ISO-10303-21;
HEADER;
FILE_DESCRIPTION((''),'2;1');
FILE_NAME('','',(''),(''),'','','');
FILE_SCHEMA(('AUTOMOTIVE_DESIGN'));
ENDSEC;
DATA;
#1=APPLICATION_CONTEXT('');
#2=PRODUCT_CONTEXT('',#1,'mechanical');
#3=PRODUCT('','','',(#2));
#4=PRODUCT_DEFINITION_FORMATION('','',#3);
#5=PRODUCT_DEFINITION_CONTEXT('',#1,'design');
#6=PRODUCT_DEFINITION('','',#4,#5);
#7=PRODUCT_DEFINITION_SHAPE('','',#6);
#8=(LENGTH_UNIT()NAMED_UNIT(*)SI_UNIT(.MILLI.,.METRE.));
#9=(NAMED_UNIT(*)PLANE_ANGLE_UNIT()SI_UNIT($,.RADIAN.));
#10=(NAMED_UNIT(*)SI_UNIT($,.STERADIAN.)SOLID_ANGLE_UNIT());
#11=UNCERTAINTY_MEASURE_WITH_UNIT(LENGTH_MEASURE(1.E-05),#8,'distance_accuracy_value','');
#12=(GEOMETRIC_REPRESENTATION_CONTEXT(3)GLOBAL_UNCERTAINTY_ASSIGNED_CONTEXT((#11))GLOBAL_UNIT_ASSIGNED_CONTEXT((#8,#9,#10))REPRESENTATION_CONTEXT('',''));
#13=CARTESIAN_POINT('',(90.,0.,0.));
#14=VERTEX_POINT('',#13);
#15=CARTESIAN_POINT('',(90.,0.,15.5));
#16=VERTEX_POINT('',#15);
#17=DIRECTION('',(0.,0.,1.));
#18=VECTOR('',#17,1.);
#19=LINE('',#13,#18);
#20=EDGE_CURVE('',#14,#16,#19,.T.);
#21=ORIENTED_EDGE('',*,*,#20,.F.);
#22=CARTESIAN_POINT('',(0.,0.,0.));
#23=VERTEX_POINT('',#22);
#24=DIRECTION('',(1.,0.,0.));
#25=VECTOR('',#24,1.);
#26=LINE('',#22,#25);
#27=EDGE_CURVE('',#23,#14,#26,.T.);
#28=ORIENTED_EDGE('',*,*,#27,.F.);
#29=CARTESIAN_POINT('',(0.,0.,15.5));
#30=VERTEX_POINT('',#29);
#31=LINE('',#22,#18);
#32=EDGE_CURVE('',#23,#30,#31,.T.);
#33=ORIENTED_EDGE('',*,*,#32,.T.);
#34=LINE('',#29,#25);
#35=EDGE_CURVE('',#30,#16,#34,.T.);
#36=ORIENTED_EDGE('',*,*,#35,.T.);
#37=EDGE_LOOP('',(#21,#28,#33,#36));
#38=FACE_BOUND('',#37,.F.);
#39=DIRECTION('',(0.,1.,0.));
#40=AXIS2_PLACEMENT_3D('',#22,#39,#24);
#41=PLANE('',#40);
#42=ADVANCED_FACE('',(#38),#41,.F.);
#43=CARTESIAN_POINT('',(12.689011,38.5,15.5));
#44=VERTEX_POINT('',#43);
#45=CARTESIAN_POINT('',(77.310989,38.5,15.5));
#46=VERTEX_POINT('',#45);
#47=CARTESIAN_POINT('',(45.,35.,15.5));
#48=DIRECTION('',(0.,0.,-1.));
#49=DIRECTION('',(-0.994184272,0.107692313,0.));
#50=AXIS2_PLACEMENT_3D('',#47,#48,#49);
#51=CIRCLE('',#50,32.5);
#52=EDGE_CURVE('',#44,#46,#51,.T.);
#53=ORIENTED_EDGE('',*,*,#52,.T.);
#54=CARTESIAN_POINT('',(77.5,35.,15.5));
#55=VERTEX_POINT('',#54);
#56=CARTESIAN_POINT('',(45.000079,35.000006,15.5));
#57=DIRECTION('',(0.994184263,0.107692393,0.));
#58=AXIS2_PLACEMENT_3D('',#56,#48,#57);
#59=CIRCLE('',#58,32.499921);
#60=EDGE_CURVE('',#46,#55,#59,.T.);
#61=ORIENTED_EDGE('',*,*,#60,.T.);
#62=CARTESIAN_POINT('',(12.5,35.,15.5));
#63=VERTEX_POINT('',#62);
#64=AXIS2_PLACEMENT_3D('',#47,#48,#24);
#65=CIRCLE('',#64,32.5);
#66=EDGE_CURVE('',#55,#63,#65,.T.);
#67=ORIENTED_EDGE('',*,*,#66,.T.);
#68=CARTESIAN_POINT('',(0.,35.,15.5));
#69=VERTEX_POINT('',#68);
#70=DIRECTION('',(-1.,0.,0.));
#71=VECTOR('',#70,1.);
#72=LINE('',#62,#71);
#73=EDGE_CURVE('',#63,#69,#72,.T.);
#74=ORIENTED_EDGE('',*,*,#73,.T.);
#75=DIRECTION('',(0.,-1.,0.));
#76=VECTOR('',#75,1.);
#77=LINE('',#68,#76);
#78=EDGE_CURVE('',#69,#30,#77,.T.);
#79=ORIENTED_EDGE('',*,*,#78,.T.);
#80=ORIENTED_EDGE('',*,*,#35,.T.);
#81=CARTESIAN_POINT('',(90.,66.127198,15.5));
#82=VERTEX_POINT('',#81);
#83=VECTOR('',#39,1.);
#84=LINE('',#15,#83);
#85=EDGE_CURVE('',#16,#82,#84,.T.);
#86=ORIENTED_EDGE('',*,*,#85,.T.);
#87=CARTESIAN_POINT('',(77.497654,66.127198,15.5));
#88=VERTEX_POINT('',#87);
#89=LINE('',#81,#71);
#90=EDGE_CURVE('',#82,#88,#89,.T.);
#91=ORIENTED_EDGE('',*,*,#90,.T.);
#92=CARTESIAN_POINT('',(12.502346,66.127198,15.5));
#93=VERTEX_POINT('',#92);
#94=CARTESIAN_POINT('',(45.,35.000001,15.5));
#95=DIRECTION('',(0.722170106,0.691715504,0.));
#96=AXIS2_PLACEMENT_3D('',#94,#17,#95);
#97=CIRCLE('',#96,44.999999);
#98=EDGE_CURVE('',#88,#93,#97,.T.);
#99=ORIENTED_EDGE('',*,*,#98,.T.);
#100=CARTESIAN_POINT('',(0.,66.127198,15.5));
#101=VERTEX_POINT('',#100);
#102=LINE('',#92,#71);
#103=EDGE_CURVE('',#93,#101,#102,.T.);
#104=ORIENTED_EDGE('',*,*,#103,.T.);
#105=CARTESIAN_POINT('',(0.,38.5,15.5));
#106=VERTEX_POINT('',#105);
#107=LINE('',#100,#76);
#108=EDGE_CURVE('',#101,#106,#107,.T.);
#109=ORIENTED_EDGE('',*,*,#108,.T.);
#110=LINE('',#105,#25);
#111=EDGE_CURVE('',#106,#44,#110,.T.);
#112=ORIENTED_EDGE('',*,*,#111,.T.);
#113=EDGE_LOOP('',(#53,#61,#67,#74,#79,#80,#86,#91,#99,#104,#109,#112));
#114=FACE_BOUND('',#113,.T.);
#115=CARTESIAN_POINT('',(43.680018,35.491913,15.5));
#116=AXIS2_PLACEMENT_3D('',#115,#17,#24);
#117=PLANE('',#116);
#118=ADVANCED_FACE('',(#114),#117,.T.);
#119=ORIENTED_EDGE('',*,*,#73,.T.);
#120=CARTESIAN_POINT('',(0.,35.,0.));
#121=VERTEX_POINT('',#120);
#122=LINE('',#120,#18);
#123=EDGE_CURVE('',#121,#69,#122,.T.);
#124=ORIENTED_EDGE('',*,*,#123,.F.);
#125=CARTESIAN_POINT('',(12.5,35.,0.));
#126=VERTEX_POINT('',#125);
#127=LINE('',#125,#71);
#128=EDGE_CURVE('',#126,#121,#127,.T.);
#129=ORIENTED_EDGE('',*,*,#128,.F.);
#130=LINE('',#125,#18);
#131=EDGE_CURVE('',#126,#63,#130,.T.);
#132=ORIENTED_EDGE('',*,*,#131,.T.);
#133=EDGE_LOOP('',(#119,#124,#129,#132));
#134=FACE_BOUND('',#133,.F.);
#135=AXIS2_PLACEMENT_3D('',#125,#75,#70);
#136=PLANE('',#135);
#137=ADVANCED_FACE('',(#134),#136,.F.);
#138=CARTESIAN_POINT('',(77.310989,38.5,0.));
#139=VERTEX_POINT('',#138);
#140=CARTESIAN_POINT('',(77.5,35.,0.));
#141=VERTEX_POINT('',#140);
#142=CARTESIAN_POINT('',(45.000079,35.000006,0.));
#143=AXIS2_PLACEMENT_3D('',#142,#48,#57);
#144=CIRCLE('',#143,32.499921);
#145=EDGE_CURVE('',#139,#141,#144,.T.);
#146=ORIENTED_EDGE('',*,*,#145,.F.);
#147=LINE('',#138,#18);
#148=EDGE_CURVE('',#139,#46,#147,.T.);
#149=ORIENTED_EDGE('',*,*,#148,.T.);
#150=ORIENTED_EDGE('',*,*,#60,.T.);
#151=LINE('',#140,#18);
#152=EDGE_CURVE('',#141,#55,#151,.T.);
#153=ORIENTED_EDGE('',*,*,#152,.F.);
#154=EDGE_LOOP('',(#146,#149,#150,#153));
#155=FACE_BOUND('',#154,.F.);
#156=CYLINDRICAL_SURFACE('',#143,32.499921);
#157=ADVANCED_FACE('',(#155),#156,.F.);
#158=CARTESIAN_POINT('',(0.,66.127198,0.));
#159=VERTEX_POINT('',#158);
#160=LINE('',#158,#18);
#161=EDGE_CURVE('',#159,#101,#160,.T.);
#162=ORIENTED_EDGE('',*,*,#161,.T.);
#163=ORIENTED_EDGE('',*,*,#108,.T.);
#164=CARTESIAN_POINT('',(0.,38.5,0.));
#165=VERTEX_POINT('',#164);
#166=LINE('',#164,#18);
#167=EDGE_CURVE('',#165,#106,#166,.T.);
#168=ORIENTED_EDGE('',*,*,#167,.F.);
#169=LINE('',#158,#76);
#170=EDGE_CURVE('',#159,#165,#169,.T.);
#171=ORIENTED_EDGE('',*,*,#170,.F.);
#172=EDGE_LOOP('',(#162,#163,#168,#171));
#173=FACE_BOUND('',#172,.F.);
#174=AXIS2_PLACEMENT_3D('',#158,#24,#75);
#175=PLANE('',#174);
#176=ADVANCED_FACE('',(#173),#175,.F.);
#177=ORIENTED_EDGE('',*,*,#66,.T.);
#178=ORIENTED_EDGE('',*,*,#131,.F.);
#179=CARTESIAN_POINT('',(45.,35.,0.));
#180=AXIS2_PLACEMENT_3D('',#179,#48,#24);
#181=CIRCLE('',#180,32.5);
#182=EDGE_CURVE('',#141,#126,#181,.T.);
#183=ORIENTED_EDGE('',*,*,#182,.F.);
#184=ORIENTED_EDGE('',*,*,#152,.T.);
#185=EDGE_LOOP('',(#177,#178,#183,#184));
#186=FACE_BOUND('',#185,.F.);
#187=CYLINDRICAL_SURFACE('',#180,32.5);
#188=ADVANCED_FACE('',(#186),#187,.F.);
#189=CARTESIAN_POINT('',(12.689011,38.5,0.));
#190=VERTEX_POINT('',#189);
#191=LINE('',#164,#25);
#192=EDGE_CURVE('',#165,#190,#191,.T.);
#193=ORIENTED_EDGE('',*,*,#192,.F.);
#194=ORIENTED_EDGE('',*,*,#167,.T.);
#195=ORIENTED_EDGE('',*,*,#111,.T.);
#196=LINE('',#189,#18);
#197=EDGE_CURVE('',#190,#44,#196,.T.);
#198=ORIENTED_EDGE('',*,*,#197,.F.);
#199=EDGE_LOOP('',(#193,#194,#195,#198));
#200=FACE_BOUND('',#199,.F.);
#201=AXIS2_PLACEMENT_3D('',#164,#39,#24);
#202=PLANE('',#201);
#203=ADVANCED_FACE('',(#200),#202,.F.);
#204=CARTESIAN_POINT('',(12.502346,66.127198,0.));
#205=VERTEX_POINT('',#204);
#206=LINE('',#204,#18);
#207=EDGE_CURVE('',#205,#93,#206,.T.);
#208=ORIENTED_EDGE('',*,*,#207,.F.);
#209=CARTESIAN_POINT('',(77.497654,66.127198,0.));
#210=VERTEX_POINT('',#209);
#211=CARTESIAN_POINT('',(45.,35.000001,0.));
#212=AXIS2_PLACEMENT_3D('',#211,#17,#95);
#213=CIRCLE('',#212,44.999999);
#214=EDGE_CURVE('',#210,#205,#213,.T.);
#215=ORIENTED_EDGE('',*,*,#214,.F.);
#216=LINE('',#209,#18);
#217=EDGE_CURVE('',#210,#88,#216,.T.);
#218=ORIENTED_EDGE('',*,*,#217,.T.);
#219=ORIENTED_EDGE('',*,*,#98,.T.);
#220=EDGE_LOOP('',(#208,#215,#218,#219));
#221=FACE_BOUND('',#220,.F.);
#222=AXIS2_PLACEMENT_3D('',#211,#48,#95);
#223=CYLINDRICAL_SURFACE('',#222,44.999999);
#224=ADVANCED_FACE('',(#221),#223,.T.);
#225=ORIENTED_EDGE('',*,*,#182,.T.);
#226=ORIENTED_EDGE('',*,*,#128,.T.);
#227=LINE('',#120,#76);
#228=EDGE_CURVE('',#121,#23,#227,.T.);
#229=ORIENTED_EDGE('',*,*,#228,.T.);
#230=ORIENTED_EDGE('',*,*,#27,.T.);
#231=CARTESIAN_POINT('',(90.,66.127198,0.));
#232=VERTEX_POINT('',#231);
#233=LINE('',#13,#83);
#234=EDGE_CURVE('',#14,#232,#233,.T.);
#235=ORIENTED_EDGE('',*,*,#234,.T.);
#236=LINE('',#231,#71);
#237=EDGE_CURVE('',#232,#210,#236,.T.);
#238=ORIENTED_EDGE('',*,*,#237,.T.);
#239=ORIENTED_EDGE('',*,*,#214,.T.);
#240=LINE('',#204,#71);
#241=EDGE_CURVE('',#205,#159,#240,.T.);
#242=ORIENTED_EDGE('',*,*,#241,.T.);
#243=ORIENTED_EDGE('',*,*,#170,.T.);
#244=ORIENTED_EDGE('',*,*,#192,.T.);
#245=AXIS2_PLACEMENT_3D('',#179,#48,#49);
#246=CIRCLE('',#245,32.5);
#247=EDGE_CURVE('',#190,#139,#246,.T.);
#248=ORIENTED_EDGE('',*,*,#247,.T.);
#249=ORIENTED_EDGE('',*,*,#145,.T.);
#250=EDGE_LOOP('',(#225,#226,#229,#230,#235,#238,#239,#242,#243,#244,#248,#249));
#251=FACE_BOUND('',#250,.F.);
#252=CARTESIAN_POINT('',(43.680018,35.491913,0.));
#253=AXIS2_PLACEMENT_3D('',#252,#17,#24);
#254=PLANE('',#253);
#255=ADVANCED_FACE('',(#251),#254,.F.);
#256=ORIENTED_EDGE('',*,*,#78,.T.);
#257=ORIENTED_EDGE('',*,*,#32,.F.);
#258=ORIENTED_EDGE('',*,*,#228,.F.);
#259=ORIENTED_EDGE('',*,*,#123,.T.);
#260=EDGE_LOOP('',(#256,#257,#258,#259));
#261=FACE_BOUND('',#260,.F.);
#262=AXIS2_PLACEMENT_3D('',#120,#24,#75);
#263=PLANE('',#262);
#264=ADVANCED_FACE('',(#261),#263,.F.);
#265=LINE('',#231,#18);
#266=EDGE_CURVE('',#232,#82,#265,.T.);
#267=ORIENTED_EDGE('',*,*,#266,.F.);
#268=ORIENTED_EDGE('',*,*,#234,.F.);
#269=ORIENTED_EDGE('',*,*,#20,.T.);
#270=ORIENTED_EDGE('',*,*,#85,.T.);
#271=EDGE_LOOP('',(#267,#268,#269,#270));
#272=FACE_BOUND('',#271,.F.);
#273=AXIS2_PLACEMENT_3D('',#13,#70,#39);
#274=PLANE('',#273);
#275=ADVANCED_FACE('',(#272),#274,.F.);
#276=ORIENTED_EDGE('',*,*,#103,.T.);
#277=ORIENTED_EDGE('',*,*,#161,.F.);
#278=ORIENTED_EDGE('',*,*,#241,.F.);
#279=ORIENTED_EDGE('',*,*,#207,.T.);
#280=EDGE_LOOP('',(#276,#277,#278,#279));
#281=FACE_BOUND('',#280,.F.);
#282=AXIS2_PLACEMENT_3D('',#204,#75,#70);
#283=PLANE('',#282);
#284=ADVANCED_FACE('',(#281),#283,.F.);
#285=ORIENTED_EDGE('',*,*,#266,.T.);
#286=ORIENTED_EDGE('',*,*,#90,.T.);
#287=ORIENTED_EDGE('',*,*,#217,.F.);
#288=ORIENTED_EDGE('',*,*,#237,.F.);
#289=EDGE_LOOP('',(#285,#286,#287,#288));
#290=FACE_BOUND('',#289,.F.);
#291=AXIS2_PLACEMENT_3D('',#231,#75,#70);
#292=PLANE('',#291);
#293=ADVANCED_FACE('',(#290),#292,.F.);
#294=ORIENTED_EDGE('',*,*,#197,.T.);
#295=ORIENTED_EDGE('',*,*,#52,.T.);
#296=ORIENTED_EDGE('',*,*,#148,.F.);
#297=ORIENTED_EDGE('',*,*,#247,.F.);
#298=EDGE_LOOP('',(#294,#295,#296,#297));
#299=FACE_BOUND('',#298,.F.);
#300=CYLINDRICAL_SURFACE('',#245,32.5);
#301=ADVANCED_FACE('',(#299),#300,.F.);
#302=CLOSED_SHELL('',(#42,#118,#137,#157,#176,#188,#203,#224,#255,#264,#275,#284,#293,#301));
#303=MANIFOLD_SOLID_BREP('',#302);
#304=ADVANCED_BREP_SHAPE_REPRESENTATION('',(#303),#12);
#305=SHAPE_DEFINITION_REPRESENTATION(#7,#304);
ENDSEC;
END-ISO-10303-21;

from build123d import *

# Parameters (mm, degrees)
F1_DEPTH = 15.5


with BuildPart() as f1:
    # F0 (on Top) → F1 (new body)
    with BuildSketch(Plane.XY):
        with BuildLine():
            Line((0, 35), (0, 0))
            Line((0, 0), (90, 0))
            Line((90, 0), (90, 35))
            Line((90, 35), (90, 38.5))
            Line((90, 38.5), (90, 66.127198))
            Line((90, 66.127198), (77.497654, 66.127198))
            ThreePointArc((77.497654, 66.127198), (45, 80), (12.502346, 66.127198))
            Line((12.502346, 66.127198), (0, 66.127198))
            Line((0, 66.127198), (0, 38.5))
            Line((0, 38.5), (12.689011, 38.5))
            ThreePointArc((12.689011, 38.5), (45, 67.5), (77.310989, 38.5))
            ThreePointArc((77.310989, 38.5), (77.452713, 36.75255), (77.5, 35))
            ThreePointArc((77.5, 35), (45, 2.5), (12.5, 35))
            Line((12.5, 35), (0, 35))
        make_face()
    extrude(amount=F1_DEPTH)


solid = f1.part
